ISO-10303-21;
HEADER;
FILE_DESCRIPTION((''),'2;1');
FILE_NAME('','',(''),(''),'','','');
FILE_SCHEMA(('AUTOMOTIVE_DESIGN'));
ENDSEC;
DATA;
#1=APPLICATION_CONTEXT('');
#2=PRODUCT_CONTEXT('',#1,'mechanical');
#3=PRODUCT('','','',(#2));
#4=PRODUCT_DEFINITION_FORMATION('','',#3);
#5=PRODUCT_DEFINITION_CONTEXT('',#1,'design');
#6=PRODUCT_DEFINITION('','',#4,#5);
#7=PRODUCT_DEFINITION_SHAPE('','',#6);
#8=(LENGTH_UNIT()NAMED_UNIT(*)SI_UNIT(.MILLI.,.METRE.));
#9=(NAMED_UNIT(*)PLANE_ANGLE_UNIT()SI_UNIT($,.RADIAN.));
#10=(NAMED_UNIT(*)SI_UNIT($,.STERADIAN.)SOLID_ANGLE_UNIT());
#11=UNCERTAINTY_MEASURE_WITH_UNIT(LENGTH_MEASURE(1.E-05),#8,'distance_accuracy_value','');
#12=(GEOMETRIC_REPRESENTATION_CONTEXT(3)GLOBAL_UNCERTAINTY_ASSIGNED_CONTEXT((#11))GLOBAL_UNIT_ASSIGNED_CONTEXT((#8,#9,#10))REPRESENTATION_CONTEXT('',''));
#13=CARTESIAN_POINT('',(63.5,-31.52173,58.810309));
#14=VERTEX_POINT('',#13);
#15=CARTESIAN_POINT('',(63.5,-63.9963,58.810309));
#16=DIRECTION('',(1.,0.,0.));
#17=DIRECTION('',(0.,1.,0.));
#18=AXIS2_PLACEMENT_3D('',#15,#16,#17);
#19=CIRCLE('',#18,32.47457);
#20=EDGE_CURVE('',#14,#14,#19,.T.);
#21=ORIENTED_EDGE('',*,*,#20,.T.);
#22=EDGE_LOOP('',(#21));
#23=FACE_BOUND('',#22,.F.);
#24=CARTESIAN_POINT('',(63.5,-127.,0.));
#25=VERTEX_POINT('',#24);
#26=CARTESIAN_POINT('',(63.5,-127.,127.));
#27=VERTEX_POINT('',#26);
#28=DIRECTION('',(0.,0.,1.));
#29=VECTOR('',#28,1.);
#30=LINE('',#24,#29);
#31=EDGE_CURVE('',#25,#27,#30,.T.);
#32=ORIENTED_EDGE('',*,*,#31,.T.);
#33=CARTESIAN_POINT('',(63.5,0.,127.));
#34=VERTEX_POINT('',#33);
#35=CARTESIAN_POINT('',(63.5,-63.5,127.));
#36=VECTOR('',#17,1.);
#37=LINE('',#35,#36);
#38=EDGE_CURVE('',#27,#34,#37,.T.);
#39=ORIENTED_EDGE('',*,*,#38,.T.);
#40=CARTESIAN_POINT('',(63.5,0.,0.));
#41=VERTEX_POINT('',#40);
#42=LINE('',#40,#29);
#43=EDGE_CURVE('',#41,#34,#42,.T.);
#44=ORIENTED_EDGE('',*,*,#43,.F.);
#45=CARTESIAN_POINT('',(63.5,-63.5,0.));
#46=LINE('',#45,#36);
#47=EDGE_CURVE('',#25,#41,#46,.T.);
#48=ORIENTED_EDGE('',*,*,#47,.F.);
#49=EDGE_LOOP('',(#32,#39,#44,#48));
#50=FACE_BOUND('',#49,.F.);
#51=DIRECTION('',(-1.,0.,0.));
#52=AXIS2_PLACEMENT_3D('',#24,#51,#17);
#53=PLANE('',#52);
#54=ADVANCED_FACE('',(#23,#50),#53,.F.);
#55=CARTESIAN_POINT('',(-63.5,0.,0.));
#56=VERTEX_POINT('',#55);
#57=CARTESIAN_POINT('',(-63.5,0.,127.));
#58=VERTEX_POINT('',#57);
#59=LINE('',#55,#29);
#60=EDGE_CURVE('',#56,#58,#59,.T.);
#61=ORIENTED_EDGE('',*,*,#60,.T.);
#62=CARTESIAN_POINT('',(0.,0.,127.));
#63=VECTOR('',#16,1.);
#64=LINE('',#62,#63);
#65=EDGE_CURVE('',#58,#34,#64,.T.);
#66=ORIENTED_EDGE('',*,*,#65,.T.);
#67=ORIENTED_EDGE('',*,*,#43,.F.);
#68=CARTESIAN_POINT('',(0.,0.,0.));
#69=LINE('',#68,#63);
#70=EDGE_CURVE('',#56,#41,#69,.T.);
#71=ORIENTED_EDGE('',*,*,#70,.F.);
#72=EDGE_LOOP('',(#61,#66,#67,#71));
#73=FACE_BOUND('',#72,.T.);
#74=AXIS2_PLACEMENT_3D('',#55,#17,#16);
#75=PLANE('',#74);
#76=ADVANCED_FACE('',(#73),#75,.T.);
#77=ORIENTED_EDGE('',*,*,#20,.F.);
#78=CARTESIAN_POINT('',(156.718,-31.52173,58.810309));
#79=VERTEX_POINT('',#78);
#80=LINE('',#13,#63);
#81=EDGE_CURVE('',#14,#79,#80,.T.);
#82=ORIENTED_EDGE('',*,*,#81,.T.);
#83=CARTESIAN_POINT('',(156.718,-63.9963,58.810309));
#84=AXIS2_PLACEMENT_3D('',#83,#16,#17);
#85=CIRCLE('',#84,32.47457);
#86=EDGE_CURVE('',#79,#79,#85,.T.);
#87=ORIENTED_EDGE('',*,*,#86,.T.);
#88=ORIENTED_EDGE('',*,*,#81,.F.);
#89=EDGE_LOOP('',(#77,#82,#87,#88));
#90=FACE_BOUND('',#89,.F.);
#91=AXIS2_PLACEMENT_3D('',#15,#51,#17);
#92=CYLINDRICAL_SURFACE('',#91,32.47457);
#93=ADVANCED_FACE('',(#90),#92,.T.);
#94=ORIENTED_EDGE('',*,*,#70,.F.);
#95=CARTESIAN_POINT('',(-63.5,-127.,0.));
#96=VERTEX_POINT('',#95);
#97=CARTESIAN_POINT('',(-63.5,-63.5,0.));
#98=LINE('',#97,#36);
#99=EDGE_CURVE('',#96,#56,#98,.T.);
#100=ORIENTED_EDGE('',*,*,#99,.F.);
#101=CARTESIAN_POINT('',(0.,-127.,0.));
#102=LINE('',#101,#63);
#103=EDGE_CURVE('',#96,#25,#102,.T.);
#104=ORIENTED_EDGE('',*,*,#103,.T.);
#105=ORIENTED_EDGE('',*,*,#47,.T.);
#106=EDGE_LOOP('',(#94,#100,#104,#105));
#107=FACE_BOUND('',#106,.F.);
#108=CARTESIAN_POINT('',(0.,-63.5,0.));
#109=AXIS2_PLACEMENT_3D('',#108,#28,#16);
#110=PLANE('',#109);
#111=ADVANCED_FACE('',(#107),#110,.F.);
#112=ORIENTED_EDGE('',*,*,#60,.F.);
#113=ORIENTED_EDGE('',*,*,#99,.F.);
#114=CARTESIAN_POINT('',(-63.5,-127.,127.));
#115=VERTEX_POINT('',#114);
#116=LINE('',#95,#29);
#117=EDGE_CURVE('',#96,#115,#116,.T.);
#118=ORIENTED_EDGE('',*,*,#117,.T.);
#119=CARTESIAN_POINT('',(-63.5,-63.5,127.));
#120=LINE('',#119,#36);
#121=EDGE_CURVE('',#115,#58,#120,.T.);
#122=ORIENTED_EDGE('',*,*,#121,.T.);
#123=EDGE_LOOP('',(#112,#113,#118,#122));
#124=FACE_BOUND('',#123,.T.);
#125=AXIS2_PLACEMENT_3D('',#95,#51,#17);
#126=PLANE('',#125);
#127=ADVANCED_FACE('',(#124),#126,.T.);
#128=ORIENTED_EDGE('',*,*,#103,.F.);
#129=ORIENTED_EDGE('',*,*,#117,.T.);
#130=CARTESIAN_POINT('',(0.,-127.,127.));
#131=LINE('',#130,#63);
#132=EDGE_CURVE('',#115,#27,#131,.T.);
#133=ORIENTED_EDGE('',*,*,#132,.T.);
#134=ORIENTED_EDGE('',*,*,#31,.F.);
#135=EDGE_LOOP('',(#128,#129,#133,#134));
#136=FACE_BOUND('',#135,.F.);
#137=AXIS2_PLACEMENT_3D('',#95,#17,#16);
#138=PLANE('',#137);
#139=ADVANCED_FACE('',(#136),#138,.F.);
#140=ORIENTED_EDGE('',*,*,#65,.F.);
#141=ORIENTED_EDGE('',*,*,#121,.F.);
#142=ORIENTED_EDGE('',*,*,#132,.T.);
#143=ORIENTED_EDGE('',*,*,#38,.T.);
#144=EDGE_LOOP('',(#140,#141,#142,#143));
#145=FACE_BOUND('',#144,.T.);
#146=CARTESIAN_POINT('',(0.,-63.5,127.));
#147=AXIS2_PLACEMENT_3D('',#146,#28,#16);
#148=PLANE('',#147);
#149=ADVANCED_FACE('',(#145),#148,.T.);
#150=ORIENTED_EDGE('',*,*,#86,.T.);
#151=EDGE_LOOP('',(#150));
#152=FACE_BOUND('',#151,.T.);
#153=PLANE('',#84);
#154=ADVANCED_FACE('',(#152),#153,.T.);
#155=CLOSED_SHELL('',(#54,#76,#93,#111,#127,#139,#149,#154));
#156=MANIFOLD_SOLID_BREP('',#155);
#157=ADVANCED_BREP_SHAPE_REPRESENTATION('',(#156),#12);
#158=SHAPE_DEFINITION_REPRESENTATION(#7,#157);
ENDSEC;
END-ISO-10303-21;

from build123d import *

# Parameters (mm, degrees)
F0_W     = 127
F0_H     = 127
F1_DEPTH = 127
F2_R     = 32.47457
F3_DEPTH = 93.218


with BuildPart() as f1:
    # F0 (on Top) → F1 (new body)
    with BuildSketch(Plane.XY):
        with Locations((0, -63.5)):
            Rectangle(F0_W, F0_H)
    extrude(amount=F1_DEPTH)

    # F2 (on face) → F3 (join)
    with BuildSketch(Plane.YZ.offset(63.5)):
        with Locations((-63.9963, 58.810309)):
            Circle(F2_R)
    extrude(amount=F3_DEPTH)


solid = f1.part
